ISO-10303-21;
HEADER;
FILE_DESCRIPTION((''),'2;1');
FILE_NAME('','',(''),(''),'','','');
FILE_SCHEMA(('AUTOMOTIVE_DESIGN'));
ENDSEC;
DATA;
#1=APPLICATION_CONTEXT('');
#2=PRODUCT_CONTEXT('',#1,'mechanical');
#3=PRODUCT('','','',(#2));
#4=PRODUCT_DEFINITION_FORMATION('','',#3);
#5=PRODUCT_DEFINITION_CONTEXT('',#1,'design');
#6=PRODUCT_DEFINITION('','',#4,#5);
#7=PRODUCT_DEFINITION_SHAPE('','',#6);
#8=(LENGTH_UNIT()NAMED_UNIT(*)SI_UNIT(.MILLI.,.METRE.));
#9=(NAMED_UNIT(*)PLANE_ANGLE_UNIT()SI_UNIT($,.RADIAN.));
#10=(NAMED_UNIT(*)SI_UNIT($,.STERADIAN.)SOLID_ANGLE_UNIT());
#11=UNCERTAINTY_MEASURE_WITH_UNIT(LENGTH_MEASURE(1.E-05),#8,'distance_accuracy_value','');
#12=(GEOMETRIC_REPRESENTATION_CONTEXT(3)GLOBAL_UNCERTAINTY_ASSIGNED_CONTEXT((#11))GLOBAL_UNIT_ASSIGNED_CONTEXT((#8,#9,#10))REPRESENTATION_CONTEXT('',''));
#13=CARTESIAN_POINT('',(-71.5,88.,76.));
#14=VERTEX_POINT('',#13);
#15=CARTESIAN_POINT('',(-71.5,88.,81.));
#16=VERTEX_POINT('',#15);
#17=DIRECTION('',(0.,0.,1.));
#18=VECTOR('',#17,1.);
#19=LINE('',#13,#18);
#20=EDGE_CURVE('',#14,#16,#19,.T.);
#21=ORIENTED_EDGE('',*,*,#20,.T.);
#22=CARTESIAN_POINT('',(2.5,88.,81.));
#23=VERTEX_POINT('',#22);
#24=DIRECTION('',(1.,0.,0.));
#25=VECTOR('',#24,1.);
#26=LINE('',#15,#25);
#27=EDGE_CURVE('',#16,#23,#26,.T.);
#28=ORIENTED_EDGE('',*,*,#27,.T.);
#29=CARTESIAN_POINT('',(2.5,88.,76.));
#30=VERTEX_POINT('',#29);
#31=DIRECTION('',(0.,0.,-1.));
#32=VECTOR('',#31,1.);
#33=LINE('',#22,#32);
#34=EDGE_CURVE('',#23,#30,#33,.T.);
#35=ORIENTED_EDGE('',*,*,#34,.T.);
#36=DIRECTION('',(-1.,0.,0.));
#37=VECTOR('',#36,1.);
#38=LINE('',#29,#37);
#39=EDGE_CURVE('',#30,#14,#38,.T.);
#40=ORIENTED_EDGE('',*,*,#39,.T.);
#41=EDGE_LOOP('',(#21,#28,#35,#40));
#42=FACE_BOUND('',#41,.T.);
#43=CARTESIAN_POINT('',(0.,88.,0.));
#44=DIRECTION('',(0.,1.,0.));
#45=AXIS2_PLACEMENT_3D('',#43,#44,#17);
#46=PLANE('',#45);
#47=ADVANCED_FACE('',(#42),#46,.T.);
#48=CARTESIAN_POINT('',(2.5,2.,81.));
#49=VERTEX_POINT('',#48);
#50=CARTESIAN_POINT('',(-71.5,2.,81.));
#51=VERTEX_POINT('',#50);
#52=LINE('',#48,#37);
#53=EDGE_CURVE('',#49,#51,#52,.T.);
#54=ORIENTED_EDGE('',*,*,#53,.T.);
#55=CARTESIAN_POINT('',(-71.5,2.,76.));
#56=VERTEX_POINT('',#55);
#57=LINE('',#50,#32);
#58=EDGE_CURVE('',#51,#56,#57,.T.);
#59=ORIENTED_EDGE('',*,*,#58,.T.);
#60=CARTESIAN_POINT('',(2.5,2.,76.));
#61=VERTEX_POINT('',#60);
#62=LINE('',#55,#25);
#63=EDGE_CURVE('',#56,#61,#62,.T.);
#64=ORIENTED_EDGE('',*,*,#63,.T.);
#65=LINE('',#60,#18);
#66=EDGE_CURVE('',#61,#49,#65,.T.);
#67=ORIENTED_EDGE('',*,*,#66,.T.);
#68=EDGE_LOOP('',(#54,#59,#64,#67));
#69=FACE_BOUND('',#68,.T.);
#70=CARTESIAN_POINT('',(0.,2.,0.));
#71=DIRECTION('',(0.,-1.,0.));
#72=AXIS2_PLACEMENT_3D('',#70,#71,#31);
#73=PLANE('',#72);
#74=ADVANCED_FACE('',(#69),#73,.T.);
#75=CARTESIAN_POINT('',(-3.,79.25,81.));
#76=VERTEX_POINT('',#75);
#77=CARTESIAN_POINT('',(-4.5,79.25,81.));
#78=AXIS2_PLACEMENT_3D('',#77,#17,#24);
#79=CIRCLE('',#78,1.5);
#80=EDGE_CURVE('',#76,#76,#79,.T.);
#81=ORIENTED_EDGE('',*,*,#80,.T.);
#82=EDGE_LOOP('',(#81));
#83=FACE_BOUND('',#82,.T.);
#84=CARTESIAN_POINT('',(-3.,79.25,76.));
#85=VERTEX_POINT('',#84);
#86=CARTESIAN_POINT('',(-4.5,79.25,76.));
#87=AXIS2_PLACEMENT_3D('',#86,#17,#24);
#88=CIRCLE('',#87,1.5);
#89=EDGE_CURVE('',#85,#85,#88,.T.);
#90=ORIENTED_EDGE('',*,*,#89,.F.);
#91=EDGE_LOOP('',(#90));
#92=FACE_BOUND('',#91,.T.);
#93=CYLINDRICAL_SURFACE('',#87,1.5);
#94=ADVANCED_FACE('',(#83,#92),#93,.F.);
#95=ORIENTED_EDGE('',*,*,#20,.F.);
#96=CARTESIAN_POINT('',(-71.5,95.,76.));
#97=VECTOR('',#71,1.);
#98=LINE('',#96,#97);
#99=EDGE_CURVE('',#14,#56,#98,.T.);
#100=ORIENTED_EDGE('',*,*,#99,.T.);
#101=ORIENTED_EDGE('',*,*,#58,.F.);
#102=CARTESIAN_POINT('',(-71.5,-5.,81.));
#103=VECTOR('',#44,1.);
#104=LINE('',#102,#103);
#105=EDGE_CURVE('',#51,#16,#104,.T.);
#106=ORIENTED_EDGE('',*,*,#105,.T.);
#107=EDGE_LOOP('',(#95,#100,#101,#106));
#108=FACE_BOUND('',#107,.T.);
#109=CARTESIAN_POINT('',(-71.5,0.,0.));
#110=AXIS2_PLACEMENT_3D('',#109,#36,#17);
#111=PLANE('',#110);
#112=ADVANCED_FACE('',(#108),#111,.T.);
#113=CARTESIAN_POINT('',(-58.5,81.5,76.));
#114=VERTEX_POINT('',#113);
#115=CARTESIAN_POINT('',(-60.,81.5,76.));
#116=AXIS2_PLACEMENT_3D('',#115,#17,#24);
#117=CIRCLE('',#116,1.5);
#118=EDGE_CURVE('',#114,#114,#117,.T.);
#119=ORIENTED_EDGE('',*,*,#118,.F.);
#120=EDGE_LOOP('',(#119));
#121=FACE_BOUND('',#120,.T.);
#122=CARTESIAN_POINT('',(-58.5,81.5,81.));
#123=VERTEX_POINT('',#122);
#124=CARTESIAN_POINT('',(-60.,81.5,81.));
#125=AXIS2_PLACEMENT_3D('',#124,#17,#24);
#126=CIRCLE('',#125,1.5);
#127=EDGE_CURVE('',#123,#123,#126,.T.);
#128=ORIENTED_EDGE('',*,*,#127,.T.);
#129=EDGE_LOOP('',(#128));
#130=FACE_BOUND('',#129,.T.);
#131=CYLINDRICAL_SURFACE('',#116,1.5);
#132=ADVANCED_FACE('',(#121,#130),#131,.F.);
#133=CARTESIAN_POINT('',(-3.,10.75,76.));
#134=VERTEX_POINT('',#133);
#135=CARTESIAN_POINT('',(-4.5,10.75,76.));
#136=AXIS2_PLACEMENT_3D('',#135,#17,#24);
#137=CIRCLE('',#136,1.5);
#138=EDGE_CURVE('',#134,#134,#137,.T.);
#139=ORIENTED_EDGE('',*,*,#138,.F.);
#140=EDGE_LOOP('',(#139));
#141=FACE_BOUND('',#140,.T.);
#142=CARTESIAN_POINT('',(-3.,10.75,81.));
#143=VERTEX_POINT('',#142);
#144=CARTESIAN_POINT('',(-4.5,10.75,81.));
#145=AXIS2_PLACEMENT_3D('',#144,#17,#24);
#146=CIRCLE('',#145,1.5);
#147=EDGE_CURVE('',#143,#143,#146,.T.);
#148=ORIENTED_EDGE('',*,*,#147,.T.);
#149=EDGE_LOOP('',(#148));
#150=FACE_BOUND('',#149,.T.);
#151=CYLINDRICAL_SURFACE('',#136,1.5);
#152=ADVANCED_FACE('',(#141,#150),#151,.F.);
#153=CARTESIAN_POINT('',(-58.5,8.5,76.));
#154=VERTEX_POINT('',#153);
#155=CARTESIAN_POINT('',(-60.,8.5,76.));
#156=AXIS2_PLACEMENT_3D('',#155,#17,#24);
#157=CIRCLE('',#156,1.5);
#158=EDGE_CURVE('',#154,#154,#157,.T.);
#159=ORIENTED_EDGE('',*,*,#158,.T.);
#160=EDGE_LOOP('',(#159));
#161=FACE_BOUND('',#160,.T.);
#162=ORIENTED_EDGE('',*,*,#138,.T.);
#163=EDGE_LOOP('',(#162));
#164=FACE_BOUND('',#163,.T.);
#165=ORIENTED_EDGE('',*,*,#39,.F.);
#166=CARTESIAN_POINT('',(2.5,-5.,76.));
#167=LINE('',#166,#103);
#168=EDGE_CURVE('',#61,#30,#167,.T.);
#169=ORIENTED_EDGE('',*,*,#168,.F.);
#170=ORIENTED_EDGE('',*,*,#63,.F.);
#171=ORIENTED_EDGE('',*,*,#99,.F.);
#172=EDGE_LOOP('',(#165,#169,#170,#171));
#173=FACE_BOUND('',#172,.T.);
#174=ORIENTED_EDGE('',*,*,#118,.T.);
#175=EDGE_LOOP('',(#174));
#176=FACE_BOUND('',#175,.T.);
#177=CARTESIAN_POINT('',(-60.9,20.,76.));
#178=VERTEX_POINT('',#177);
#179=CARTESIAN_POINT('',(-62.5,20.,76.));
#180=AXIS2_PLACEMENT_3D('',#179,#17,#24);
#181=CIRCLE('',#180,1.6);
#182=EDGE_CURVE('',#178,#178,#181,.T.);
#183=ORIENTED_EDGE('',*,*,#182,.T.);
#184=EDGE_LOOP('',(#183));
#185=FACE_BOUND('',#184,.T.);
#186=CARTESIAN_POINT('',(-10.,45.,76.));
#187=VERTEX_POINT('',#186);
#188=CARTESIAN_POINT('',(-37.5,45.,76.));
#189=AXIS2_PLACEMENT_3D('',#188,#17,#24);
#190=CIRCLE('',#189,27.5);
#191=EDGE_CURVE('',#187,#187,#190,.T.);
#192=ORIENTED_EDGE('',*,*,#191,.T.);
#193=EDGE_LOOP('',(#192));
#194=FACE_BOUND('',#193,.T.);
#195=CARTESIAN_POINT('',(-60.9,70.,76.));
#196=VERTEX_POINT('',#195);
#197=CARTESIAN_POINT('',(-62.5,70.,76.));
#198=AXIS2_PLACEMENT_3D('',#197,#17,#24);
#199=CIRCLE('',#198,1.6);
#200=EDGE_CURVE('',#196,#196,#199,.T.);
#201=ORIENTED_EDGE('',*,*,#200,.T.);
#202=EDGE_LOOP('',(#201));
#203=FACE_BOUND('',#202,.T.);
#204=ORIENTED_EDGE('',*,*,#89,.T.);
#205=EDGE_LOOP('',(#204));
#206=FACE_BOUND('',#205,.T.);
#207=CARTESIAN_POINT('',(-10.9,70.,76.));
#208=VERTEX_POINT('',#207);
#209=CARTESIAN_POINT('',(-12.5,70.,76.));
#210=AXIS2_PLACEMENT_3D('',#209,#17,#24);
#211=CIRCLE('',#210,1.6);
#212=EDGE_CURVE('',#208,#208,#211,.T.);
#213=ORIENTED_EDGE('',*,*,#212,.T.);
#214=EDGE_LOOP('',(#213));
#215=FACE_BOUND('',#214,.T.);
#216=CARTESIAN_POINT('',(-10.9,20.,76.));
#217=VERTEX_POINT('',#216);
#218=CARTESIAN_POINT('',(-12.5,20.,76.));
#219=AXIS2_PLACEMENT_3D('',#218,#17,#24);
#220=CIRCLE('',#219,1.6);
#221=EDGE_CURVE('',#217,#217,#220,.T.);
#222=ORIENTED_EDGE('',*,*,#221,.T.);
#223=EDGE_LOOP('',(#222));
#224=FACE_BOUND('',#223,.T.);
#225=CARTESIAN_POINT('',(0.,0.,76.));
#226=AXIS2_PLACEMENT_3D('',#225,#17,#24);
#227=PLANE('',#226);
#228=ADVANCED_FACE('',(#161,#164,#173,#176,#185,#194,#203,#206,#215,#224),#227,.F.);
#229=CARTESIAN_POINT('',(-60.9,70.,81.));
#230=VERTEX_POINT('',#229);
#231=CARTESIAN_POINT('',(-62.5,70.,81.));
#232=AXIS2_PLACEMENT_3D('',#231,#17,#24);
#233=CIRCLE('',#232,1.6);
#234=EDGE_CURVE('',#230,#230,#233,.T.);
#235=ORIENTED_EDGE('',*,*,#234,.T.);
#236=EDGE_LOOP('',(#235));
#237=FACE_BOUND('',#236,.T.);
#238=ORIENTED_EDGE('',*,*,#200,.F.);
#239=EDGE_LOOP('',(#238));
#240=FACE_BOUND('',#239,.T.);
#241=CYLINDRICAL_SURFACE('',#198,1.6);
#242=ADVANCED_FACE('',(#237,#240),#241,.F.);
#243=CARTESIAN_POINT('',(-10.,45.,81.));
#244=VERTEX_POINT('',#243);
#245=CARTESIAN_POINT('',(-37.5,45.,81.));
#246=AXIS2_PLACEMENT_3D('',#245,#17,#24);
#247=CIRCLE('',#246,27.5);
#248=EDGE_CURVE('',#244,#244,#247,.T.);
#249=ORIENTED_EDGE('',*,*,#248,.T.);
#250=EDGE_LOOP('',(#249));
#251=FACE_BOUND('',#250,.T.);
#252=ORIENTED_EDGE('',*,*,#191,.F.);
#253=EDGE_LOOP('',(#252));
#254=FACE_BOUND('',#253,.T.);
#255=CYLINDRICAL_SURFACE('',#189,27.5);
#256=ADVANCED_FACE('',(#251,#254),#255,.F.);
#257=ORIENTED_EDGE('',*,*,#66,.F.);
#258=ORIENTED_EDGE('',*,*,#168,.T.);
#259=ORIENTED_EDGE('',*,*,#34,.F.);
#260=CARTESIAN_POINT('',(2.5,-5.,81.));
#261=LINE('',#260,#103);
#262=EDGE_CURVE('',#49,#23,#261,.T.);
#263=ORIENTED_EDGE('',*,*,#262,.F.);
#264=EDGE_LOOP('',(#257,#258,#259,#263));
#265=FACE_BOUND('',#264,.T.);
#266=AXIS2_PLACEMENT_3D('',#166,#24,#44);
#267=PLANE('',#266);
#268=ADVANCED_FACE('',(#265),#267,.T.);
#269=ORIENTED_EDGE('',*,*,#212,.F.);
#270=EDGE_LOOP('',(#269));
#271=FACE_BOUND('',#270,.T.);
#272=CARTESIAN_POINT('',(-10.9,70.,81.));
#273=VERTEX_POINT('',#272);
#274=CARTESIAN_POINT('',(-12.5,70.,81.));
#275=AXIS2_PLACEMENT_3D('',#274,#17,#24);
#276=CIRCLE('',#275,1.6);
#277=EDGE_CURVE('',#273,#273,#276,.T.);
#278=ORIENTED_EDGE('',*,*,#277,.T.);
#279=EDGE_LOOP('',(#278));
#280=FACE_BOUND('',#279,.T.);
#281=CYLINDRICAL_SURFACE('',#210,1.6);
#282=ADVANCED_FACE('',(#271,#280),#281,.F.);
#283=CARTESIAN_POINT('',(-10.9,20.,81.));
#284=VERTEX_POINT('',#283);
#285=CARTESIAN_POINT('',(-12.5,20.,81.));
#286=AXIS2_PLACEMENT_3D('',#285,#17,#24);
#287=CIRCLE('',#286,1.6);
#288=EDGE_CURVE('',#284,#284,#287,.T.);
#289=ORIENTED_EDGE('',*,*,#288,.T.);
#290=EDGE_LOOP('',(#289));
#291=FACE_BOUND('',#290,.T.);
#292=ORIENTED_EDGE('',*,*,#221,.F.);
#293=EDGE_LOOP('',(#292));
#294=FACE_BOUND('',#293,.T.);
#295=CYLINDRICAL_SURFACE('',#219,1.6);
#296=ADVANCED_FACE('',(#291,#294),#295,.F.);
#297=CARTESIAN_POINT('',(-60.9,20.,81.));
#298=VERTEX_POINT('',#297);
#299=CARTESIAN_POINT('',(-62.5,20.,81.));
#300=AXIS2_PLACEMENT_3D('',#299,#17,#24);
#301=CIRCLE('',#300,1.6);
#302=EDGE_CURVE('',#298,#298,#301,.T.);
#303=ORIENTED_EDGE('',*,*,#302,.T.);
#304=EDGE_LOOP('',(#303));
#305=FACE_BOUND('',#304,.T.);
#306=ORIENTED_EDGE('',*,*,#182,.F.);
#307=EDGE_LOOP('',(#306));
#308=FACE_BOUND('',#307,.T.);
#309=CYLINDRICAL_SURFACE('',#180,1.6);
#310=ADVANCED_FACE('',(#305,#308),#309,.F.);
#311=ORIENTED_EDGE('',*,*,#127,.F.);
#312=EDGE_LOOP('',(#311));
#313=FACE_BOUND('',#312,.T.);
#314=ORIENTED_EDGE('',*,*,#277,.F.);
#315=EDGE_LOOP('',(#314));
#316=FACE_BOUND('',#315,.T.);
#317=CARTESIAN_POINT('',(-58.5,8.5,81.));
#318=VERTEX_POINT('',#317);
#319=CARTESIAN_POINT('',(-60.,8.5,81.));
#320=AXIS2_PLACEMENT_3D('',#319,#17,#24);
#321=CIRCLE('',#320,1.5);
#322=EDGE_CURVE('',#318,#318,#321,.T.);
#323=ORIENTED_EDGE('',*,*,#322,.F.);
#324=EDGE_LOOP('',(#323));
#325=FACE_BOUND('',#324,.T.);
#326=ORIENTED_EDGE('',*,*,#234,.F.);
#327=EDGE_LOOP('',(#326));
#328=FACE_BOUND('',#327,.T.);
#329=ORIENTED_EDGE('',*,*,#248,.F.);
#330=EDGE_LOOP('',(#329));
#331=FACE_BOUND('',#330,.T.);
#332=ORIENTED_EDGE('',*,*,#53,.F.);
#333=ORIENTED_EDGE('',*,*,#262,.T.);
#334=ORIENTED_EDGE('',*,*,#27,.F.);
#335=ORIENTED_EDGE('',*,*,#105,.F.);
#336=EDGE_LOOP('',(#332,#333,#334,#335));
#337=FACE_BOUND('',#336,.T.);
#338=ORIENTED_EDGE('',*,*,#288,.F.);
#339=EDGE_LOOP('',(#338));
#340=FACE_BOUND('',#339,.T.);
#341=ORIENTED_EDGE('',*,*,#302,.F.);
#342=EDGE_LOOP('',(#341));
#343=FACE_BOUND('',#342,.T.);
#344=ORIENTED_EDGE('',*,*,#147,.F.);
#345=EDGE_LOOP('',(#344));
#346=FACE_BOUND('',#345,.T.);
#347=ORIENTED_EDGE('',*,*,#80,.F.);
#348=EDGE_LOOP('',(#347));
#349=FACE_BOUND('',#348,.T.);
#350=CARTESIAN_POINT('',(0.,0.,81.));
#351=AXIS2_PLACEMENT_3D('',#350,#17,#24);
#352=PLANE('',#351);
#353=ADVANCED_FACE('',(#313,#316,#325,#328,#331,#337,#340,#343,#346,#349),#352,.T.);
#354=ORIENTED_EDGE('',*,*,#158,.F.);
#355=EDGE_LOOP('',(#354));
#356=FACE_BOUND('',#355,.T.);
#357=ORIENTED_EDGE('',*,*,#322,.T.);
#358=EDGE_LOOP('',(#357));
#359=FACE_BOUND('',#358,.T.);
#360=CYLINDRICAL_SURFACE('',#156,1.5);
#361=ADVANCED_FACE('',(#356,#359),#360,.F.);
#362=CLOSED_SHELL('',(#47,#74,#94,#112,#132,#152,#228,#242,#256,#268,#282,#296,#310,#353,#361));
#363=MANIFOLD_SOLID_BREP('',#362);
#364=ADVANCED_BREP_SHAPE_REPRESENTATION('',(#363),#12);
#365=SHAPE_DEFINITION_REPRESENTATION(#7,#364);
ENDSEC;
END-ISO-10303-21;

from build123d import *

# Parameters (mm, degrees)
SKETCH_1_W          = 69.5
SKETCH_1_H          = 100
SKETCH_1_R          = 1.5
EXTRUDE_1_DEPTH     = 5
SKETCH_5_R          = 1.6
SKETCH_5_R_2        = 27.5
CUT_EXTRUDE_1_DEPTH = 6
SKETCH_6_W          = 5
SKETCH_6_H          = 100
EXTRUDE_2_DEPTH     = 4.5
SKETCH_7_W          = 74
SKETCH_7_H          = 5
CUT_EXTRUDE_2_DEPTH = 7
SKETCH_8_W          = 74
SKETCH_8_H          = 5
CUT_EXTRUDE_3_DEPTH = 7


with BuildPart() as part:
    # Эскиз1 → Бобышка-Вытянуть1 (new body)
    with BuildSketch(Plane.XY.offset(81)):
        with Locations((-32.25, 45)):
            Rectangle(SKETCH_1_W, SKETCH_1_H)
        with Locations((-60, 8.5)):
            Circle(SKETCH_1_R, mode=Mode.SUBTRACT)
        with Locations((-60, 81.5)):
            Circle(SKETCH_1_R, mode=Mode.SUBTRACT)
        with Locations((-4.5, 79.25)):
            Circle(SKETCH_1_R, mode=Mode.SUBTRACT)
        with Locations((-4.5, 10.75)):
            Circle(SKETCH_1_R, mode=Mode.SUBTRACT)
    extrude(amount=-EXTRUDE_1_DEPTH)

    # Эскиз5 → Вырез-Вытянуть1 (cut, through all)
    with BuildSketch(Plane.XY.offset(81)):
        with Locations((-12.5, 70)):
            Circle(SKETCH_5_R)
        with Locations((-12.5, 20)):
            Circle(SKETCH_5_R)
        with Locations((-62.5, 20)):
            Circle(SKETCH_5_R)
        with Locations((-62.5, 70)):
            Circle(SKETCH_5_R)
        with Locations((-37.5, 45)):
            Circle(SKETCH_5_R_2)
    extrude(amount=-CUT_EXTRUDE_1_DEPTH, mode=Mode.SUBTRACT)

    # Эскиз6 → Бобышка-Вытянуть2 (add)
    with BuildSketch(Plane.ZY.offset(67)):
        with Locations((78.5, 45)):
            Rectangle(SKETCH_6_W, SKETCH_6_H)
    extrude(amount=EXTRUDE_2_DEPTH)

    # Эскиз7 → Вырез-Вытянуть2 (cut)
    with BuildSketch(Plane(origin=(0, 95, 0), x_dir=(1, 0, 0), z_dir=(0, 1, 0))):
        with Locations((-34.5, -78.5)):
            Rectangle(SKETCH_7_W, SKETCH_7_H)
    extrude(amount=-CUT_EXTRUDE_2_DEPTH, mode=Mode.SUBTRACT)

    # Эскиз8 → Вырез-Вытянуть3 (cut)
    with BuildSketch(Plane.XZ.offset(5)):
        with Locations((-34.5, 78.5)):
            Rectangle(SKETCH_8_W, SKETCH_8_H)
    extrude(amount=-CUT_EXTRUDE_3_DEPTH, mode=Mode.SUBTRACT)


solid = part.part
